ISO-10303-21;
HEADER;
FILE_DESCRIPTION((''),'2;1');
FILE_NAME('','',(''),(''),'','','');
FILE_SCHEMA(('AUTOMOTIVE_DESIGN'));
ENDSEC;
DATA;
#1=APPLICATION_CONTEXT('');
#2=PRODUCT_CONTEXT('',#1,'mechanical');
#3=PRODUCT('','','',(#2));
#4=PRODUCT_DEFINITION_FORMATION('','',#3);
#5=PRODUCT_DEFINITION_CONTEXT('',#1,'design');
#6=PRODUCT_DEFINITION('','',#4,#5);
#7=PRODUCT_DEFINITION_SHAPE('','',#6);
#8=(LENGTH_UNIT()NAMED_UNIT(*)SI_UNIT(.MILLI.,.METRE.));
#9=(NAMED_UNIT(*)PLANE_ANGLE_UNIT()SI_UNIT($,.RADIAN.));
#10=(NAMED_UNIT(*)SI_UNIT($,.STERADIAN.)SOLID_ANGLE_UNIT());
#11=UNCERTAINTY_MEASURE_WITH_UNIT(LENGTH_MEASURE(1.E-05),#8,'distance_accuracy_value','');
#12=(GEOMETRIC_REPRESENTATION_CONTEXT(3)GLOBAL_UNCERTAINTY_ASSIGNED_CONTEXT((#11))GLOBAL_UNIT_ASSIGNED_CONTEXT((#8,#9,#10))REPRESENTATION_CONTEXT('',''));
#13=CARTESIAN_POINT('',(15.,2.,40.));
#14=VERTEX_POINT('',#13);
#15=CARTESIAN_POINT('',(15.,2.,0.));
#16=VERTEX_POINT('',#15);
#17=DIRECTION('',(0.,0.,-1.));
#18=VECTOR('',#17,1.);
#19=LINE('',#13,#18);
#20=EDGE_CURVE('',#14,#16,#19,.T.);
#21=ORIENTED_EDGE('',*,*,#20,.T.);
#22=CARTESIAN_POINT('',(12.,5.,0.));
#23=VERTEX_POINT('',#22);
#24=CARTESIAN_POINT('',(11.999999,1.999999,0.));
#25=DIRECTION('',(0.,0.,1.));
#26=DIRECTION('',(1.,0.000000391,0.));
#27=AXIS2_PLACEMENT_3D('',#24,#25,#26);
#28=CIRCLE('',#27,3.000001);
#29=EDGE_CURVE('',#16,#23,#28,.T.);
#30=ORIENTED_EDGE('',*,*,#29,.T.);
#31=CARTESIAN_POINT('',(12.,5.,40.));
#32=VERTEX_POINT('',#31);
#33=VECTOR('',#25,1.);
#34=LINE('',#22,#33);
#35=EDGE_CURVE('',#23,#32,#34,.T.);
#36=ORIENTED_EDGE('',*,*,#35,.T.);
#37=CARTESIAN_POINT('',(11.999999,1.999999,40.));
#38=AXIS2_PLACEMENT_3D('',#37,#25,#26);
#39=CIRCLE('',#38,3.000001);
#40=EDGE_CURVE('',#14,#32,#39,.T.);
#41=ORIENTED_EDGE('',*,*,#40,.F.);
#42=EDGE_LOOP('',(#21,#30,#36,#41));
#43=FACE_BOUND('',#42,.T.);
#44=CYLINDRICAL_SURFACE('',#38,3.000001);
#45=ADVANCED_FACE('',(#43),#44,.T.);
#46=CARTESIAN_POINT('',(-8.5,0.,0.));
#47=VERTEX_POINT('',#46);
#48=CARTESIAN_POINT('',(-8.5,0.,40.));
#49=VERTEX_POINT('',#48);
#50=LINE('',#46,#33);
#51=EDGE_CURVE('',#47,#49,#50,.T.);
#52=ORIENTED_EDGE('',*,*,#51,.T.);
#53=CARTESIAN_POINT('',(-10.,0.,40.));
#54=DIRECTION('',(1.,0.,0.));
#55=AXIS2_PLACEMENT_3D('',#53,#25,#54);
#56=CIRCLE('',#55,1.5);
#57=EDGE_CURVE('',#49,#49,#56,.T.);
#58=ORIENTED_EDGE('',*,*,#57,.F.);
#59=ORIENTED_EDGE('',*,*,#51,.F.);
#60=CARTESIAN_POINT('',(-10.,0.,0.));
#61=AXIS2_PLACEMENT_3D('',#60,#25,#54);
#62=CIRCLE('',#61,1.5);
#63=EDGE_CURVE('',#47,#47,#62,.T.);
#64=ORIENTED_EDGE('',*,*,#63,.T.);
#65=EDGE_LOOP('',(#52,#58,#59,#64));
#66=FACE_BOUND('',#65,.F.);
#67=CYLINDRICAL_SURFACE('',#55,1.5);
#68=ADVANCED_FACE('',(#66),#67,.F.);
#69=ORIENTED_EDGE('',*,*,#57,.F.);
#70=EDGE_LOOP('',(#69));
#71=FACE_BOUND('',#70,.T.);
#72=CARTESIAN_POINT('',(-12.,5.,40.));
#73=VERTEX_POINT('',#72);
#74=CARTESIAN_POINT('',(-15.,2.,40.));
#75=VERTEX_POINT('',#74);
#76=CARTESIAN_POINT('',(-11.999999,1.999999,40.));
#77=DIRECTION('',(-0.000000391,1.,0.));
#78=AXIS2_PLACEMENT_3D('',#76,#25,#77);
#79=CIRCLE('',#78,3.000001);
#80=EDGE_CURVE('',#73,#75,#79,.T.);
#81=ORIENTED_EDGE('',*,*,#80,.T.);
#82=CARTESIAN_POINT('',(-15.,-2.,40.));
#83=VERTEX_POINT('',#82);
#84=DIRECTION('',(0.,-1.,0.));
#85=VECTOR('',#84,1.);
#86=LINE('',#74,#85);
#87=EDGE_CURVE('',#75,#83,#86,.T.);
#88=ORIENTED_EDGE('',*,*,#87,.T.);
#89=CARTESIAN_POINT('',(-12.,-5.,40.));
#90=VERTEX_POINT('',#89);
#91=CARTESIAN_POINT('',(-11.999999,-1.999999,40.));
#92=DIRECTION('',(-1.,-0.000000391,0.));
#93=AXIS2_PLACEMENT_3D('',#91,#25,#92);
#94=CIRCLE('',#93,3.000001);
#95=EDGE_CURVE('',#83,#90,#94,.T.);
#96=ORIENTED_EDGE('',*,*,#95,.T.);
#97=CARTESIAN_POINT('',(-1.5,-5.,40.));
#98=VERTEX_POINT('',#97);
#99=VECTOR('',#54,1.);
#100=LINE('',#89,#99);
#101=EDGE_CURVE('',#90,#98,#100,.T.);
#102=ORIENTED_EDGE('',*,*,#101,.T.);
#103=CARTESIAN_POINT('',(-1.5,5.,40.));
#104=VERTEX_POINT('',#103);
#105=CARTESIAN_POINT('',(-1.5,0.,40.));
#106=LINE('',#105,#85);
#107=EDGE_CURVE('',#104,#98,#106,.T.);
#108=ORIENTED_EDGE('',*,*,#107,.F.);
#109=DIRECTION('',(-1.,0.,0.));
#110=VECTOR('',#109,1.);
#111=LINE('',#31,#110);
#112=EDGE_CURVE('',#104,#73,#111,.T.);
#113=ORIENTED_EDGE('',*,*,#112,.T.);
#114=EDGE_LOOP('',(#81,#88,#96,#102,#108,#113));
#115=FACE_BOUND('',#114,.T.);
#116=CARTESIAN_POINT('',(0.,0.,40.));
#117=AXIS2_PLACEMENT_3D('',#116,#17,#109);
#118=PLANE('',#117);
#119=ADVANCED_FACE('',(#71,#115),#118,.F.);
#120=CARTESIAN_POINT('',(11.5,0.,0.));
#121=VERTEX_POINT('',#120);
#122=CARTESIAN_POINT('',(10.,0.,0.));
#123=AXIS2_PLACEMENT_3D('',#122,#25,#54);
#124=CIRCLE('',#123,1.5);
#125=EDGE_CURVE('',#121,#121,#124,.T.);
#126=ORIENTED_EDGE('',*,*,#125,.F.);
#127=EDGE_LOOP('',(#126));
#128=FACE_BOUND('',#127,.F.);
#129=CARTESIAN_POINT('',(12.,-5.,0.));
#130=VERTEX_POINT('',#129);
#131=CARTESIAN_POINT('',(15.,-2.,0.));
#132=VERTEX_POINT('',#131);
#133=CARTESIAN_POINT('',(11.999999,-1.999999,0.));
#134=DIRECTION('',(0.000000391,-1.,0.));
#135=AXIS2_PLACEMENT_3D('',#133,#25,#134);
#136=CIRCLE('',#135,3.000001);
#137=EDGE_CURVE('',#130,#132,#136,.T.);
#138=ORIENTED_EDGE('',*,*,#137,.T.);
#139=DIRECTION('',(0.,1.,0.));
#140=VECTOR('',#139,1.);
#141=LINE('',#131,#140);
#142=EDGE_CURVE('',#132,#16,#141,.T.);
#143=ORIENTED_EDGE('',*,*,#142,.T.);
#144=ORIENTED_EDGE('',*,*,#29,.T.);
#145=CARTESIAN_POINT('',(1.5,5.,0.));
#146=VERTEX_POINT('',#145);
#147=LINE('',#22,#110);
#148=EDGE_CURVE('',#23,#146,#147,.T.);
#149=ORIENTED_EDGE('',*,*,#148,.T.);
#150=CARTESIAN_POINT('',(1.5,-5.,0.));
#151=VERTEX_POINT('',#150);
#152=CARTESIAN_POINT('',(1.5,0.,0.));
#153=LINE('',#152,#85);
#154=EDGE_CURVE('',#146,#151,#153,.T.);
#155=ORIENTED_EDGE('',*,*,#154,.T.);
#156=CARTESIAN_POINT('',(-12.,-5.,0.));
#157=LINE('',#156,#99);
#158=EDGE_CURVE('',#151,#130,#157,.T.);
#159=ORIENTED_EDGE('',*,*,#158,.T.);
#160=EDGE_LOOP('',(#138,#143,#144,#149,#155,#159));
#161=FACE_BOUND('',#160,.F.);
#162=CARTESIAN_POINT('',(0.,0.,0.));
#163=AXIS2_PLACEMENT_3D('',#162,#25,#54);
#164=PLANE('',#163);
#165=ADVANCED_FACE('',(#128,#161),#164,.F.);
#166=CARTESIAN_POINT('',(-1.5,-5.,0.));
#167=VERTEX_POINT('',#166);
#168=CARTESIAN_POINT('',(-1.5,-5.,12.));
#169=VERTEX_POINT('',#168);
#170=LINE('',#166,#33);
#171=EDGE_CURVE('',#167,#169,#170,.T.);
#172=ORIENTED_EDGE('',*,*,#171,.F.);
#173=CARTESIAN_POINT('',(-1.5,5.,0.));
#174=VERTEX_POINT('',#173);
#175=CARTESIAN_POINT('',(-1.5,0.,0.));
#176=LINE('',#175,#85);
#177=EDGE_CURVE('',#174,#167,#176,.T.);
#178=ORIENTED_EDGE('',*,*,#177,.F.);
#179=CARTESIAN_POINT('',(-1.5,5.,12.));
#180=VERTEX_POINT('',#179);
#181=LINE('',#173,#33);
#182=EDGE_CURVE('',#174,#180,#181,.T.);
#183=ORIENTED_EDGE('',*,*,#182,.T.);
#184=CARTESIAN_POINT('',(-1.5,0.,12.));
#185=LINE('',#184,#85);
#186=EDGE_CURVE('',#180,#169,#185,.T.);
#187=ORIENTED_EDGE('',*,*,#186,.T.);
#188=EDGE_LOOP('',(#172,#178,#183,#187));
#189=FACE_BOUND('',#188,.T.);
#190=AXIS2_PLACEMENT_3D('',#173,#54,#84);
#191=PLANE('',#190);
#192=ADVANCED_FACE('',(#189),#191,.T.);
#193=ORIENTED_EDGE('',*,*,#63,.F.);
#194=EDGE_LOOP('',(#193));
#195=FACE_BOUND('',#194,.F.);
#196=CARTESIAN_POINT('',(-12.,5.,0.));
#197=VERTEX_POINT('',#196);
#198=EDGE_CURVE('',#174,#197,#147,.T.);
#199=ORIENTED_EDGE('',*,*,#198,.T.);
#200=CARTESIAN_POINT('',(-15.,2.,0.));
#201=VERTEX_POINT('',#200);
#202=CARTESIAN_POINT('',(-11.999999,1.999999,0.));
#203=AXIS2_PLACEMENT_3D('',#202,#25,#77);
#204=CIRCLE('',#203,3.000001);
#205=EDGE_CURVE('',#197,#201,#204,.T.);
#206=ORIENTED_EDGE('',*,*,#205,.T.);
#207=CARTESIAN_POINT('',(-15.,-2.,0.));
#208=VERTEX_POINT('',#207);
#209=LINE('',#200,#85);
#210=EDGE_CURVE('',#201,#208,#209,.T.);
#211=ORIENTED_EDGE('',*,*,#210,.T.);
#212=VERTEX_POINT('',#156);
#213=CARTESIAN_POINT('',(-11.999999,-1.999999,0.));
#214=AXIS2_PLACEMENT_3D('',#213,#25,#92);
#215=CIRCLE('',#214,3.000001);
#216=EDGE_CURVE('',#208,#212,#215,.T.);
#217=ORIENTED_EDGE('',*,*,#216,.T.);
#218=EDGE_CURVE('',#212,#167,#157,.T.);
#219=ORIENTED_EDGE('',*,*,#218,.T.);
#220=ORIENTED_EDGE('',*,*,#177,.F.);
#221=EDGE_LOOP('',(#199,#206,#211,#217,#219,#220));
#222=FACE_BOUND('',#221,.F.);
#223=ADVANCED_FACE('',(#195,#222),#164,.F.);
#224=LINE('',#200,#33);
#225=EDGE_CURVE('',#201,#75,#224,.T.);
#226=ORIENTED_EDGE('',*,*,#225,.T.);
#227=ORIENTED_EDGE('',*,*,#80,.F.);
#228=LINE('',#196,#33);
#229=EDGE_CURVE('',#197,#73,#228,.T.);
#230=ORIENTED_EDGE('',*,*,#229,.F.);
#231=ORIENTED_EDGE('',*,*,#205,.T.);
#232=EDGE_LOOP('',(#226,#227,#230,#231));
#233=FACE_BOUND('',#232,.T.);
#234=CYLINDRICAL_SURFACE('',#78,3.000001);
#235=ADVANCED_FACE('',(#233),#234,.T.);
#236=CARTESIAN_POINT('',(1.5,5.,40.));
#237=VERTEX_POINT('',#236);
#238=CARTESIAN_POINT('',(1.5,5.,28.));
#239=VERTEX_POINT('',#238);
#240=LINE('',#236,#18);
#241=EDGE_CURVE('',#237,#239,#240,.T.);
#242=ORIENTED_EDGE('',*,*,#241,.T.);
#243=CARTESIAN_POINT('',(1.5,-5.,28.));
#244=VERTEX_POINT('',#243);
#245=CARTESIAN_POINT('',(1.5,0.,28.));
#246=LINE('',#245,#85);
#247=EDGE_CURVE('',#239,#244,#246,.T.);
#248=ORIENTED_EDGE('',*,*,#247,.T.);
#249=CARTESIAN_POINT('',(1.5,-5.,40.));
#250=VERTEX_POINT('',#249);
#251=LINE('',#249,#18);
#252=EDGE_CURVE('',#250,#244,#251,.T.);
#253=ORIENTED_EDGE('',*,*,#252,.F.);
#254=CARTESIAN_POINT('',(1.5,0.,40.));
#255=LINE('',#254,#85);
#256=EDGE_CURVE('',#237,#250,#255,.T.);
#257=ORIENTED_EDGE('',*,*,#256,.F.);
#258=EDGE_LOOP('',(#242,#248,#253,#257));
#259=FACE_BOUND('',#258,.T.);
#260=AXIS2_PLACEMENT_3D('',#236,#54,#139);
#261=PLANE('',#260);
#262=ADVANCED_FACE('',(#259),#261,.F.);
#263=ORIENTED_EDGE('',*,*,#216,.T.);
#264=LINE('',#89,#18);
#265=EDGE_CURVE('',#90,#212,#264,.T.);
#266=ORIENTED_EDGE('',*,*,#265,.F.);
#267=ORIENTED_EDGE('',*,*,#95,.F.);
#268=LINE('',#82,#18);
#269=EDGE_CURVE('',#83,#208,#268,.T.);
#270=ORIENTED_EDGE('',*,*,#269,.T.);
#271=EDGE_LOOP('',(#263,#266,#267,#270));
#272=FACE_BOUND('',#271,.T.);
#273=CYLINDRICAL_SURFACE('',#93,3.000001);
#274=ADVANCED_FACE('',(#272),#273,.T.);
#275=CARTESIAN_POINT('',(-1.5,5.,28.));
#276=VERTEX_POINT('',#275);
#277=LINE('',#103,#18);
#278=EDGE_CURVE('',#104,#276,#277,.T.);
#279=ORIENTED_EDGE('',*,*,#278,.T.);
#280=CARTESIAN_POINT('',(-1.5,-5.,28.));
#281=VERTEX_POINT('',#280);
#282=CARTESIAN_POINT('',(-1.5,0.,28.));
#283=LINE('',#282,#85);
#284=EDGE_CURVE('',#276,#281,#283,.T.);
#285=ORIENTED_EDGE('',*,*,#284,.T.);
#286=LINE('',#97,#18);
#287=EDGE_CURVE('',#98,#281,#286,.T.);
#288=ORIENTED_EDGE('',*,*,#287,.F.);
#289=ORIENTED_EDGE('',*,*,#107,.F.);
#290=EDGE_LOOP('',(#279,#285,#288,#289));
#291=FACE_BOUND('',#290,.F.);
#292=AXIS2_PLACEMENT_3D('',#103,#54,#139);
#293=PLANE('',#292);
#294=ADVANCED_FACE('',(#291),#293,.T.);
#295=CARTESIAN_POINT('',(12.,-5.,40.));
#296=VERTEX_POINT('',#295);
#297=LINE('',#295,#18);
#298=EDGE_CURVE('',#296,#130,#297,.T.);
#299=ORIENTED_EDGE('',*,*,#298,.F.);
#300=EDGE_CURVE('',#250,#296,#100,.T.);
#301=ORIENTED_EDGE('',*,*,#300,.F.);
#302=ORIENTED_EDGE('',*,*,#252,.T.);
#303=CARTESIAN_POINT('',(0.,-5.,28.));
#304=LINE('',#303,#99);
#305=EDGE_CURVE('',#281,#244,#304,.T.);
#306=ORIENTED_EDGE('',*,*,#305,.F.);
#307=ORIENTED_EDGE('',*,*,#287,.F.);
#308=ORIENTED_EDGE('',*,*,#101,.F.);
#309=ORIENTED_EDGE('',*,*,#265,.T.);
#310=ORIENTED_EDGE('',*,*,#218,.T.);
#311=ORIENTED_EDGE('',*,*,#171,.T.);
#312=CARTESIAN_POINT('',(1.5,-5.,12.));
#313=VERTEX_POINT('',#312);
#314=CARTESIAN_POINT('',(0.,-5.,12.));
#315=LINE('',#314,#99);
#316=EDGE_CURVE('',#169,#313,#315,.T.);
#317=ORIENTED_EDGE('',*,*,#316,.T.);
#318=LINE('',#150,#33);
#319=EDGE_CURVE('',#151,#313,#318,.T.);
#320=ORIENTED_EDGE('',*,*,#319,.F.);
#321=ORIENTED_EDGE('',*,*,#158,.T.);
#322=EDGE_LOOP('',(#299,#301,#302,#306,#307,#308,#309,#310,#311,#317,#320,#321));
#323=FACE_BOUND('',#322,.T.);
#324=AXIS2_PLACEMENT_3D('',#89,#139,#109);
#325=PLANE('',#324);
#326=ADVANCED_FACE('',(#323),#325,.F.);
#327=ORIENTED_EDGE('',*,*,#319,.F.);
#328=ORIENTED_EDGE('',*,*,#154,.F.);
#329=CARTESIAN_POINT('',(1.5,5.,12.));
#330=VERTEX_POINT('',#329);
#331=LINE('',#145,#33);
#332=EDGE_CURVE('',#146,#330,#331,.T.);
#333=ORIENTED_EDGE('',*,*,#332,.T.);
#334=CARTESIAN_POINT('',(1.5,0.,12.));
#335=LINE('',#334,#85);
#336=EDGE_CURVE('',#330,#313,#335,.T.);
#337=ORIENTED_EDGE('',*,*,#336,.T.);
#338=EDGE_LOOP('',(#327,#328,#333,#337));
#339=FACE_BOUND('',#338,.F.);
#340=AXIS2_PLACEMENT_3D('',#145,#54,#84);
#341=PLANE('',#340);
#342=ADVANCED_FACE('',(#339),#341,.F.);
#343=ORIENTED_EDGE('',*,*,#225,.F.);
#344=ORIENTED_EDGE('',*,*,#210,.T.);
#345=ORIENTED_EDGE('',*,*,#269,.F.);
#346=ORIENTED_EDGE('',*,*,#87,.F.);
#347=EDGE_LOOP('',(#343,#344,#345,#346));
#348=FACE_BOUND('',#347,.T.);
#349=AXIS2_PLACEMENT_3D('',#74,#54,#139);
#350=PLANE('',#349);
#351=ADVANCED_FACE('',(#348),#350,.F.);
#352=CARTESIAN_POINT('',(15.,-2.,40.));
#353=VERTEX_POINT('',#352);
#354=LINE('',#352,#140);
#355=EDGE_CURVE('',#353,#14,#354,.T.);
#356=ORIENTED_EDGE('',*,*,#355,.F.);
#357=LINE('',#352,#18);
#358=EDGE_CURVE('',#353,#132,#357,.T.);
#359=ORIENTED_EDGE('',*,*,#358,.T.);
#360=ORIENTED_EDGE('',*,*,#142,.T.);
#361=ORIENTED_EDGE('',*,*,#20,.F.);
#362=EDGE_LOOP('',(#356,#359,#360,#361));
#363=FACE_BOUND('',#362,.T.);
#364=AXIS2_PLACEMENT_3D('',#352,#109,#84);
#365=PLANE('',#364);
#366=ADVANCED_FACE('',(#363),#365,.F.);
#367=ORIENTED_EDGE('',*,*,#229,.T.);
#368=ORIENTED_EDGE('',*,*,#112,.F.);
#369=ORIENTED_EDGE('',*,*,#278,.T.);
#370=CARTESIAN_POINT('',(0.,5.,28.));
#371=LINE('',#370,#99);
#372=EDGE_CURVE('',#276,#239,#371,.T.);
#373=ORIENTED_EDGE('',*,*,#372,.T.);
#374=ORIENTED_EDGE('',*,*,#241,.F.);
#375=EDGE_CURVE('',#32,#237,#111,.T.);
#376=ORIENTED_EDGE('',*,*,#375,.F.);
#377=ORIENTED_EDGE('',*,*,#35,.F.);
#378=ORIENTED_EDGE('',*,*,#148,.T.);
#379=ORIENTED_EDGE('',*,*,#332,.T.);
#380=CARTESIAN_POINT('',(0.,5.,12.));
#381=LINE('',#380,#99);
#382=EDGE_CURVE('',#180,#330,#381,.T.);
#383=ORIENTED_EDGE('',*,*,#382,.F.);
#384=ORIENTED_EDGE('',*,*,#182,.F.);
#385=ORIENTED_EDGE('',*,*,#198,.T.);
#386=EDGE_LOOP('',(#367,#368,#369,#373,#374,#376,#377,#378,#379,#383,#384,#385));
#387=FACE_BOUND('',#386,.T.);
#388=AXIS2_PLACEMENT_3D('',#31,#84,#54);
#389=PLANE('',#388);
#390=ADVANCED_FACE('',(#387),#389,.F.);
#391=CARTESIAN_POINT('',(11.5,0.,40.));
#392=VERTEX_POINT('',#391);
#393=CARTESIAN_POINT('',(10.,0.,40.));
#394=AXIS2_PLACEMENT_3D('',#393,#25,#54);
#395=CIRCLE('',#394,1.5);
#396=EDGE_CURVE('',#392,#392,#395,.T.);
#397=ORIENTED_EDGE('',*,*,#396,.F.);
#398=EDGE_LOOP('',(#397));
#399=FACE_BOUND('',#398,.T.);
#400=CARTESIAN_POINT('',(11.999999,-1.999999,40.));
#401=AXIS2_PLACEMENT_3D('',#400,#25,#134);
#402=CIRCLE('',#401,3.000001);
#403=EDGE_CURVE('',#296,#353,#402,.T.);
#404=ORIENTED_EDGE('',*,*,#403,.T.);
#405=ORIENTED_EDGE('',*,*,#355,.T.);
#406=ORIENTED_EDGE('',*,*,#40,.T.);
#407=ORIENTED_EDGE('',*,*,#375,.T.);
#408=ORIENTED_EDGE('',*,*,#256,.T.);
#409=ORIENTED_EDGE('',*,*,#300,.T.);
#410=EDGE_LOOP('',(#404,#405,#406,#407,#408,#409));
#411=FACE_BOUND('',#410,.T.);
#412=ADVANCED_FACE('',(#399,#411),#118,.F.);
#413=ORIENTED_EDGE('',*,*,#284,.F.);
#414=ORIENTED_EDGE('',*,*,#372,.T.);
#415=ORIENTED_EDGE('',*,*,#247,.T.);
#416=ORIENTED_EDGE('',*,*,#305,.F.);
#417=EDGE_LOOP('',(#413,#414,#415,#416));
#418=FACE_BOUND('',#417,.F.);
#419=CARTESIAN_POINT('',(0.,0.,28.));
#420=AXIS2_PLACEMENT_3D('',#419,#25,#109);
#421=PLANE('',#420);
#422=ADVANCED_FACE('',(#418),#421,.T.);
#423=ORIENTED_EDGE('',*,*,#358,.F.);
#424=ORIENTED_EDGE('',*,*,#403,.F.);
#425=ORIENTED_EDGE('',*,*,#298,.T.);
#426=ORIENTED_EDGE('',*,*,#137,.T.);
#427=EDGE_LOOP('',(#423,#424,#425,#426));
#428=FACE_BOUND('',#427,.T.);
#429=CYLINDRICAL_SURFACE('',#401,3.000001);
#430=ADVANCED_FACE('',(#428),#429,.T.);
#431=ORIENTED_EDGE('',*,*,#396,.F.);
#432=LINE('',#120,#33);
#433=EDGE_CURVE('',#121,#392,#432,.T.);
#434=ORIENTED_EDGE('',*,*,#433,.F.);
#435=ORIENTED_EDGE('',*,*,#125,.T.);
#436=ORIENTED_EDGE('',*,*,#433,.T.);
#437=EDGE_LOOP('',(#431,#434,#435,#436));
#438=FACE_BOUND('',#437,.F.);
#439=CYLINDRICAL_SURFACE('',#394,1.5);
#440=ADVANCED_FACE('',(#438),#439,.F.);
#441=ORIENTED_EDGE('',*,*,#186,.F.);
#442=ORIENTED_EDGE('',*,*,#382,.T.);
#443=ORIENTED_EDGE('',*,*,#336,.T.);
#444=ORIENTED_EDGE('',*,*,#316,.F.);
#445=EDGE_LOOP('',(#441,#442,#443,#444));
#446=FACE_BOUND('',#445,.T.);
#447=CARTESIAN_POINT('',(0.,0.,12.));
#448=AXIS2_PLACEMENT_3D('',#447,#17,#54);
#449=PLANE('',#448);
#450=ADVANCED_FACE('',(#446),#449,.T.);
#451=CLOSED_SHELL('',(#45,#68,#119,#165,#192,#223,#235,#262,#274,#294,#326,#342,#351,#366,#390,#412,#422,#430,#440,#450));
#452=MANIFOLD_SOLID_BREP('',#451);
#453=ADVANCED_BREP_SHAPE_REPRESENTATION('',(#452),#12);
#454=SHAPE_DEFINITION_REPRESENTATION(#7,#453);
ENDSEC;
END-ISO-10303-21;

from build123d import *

# Parameters (mm, degrees)
F0_R     = 1.5
F1_DEPTH = 20
F2_W     = 3
F2_H     = 10
F3_DEPTH = 12


with BuildPart() as f1:
    # F0 (on Top) → F1 (new body)
    with BuildSketch(Plane.XY):
        with BuildLine():
            ThreePointArc((15, 2), (14.12132, 4.12132), (12, 5))
            Line((12, 5), (-12, 5))
            ThreePointArc((-12, 5), (-14.12132, 4.12132), (-15, 2))
            Line((-15, 2), (-15, -2))
            ThreePointArc((-15, -2), (-14.12132, -4.12132), (-12, -5))
            Line((-12, -5), (12, -5))
            ThreePointArc((12, -5), (14.12132, -4.12132), (15, -2))
            Line((15, -2), (15, 2))
        make_face()
        with Locations((-10, 0)):
            Circle(F0_R, mode=Mode.SUBTRACT)
        with Locations((10, 0)):
            Circle(F0_R, mode=Mode.SUBTRACT)
    extrude(amount=F1_DEPTH)

    # F2 (on face) → F3 (cut)
    with BuildSketch(Plane(origin=(0, 0, 0), x_dir=(1, 0, 0), z_dir=(0, 0, -1))):
        Rectangle(F2_W, F2_H)
    extrude(amount=-F3_DEPTH, mode=Mode.SUBTRACT)

    # F4: F1 across face


with BuildPart() as f1_1:
    add(f1.part)
    add(f1.part.mirror(Plane.XY.offset(20)))


solid = f1_1.part
